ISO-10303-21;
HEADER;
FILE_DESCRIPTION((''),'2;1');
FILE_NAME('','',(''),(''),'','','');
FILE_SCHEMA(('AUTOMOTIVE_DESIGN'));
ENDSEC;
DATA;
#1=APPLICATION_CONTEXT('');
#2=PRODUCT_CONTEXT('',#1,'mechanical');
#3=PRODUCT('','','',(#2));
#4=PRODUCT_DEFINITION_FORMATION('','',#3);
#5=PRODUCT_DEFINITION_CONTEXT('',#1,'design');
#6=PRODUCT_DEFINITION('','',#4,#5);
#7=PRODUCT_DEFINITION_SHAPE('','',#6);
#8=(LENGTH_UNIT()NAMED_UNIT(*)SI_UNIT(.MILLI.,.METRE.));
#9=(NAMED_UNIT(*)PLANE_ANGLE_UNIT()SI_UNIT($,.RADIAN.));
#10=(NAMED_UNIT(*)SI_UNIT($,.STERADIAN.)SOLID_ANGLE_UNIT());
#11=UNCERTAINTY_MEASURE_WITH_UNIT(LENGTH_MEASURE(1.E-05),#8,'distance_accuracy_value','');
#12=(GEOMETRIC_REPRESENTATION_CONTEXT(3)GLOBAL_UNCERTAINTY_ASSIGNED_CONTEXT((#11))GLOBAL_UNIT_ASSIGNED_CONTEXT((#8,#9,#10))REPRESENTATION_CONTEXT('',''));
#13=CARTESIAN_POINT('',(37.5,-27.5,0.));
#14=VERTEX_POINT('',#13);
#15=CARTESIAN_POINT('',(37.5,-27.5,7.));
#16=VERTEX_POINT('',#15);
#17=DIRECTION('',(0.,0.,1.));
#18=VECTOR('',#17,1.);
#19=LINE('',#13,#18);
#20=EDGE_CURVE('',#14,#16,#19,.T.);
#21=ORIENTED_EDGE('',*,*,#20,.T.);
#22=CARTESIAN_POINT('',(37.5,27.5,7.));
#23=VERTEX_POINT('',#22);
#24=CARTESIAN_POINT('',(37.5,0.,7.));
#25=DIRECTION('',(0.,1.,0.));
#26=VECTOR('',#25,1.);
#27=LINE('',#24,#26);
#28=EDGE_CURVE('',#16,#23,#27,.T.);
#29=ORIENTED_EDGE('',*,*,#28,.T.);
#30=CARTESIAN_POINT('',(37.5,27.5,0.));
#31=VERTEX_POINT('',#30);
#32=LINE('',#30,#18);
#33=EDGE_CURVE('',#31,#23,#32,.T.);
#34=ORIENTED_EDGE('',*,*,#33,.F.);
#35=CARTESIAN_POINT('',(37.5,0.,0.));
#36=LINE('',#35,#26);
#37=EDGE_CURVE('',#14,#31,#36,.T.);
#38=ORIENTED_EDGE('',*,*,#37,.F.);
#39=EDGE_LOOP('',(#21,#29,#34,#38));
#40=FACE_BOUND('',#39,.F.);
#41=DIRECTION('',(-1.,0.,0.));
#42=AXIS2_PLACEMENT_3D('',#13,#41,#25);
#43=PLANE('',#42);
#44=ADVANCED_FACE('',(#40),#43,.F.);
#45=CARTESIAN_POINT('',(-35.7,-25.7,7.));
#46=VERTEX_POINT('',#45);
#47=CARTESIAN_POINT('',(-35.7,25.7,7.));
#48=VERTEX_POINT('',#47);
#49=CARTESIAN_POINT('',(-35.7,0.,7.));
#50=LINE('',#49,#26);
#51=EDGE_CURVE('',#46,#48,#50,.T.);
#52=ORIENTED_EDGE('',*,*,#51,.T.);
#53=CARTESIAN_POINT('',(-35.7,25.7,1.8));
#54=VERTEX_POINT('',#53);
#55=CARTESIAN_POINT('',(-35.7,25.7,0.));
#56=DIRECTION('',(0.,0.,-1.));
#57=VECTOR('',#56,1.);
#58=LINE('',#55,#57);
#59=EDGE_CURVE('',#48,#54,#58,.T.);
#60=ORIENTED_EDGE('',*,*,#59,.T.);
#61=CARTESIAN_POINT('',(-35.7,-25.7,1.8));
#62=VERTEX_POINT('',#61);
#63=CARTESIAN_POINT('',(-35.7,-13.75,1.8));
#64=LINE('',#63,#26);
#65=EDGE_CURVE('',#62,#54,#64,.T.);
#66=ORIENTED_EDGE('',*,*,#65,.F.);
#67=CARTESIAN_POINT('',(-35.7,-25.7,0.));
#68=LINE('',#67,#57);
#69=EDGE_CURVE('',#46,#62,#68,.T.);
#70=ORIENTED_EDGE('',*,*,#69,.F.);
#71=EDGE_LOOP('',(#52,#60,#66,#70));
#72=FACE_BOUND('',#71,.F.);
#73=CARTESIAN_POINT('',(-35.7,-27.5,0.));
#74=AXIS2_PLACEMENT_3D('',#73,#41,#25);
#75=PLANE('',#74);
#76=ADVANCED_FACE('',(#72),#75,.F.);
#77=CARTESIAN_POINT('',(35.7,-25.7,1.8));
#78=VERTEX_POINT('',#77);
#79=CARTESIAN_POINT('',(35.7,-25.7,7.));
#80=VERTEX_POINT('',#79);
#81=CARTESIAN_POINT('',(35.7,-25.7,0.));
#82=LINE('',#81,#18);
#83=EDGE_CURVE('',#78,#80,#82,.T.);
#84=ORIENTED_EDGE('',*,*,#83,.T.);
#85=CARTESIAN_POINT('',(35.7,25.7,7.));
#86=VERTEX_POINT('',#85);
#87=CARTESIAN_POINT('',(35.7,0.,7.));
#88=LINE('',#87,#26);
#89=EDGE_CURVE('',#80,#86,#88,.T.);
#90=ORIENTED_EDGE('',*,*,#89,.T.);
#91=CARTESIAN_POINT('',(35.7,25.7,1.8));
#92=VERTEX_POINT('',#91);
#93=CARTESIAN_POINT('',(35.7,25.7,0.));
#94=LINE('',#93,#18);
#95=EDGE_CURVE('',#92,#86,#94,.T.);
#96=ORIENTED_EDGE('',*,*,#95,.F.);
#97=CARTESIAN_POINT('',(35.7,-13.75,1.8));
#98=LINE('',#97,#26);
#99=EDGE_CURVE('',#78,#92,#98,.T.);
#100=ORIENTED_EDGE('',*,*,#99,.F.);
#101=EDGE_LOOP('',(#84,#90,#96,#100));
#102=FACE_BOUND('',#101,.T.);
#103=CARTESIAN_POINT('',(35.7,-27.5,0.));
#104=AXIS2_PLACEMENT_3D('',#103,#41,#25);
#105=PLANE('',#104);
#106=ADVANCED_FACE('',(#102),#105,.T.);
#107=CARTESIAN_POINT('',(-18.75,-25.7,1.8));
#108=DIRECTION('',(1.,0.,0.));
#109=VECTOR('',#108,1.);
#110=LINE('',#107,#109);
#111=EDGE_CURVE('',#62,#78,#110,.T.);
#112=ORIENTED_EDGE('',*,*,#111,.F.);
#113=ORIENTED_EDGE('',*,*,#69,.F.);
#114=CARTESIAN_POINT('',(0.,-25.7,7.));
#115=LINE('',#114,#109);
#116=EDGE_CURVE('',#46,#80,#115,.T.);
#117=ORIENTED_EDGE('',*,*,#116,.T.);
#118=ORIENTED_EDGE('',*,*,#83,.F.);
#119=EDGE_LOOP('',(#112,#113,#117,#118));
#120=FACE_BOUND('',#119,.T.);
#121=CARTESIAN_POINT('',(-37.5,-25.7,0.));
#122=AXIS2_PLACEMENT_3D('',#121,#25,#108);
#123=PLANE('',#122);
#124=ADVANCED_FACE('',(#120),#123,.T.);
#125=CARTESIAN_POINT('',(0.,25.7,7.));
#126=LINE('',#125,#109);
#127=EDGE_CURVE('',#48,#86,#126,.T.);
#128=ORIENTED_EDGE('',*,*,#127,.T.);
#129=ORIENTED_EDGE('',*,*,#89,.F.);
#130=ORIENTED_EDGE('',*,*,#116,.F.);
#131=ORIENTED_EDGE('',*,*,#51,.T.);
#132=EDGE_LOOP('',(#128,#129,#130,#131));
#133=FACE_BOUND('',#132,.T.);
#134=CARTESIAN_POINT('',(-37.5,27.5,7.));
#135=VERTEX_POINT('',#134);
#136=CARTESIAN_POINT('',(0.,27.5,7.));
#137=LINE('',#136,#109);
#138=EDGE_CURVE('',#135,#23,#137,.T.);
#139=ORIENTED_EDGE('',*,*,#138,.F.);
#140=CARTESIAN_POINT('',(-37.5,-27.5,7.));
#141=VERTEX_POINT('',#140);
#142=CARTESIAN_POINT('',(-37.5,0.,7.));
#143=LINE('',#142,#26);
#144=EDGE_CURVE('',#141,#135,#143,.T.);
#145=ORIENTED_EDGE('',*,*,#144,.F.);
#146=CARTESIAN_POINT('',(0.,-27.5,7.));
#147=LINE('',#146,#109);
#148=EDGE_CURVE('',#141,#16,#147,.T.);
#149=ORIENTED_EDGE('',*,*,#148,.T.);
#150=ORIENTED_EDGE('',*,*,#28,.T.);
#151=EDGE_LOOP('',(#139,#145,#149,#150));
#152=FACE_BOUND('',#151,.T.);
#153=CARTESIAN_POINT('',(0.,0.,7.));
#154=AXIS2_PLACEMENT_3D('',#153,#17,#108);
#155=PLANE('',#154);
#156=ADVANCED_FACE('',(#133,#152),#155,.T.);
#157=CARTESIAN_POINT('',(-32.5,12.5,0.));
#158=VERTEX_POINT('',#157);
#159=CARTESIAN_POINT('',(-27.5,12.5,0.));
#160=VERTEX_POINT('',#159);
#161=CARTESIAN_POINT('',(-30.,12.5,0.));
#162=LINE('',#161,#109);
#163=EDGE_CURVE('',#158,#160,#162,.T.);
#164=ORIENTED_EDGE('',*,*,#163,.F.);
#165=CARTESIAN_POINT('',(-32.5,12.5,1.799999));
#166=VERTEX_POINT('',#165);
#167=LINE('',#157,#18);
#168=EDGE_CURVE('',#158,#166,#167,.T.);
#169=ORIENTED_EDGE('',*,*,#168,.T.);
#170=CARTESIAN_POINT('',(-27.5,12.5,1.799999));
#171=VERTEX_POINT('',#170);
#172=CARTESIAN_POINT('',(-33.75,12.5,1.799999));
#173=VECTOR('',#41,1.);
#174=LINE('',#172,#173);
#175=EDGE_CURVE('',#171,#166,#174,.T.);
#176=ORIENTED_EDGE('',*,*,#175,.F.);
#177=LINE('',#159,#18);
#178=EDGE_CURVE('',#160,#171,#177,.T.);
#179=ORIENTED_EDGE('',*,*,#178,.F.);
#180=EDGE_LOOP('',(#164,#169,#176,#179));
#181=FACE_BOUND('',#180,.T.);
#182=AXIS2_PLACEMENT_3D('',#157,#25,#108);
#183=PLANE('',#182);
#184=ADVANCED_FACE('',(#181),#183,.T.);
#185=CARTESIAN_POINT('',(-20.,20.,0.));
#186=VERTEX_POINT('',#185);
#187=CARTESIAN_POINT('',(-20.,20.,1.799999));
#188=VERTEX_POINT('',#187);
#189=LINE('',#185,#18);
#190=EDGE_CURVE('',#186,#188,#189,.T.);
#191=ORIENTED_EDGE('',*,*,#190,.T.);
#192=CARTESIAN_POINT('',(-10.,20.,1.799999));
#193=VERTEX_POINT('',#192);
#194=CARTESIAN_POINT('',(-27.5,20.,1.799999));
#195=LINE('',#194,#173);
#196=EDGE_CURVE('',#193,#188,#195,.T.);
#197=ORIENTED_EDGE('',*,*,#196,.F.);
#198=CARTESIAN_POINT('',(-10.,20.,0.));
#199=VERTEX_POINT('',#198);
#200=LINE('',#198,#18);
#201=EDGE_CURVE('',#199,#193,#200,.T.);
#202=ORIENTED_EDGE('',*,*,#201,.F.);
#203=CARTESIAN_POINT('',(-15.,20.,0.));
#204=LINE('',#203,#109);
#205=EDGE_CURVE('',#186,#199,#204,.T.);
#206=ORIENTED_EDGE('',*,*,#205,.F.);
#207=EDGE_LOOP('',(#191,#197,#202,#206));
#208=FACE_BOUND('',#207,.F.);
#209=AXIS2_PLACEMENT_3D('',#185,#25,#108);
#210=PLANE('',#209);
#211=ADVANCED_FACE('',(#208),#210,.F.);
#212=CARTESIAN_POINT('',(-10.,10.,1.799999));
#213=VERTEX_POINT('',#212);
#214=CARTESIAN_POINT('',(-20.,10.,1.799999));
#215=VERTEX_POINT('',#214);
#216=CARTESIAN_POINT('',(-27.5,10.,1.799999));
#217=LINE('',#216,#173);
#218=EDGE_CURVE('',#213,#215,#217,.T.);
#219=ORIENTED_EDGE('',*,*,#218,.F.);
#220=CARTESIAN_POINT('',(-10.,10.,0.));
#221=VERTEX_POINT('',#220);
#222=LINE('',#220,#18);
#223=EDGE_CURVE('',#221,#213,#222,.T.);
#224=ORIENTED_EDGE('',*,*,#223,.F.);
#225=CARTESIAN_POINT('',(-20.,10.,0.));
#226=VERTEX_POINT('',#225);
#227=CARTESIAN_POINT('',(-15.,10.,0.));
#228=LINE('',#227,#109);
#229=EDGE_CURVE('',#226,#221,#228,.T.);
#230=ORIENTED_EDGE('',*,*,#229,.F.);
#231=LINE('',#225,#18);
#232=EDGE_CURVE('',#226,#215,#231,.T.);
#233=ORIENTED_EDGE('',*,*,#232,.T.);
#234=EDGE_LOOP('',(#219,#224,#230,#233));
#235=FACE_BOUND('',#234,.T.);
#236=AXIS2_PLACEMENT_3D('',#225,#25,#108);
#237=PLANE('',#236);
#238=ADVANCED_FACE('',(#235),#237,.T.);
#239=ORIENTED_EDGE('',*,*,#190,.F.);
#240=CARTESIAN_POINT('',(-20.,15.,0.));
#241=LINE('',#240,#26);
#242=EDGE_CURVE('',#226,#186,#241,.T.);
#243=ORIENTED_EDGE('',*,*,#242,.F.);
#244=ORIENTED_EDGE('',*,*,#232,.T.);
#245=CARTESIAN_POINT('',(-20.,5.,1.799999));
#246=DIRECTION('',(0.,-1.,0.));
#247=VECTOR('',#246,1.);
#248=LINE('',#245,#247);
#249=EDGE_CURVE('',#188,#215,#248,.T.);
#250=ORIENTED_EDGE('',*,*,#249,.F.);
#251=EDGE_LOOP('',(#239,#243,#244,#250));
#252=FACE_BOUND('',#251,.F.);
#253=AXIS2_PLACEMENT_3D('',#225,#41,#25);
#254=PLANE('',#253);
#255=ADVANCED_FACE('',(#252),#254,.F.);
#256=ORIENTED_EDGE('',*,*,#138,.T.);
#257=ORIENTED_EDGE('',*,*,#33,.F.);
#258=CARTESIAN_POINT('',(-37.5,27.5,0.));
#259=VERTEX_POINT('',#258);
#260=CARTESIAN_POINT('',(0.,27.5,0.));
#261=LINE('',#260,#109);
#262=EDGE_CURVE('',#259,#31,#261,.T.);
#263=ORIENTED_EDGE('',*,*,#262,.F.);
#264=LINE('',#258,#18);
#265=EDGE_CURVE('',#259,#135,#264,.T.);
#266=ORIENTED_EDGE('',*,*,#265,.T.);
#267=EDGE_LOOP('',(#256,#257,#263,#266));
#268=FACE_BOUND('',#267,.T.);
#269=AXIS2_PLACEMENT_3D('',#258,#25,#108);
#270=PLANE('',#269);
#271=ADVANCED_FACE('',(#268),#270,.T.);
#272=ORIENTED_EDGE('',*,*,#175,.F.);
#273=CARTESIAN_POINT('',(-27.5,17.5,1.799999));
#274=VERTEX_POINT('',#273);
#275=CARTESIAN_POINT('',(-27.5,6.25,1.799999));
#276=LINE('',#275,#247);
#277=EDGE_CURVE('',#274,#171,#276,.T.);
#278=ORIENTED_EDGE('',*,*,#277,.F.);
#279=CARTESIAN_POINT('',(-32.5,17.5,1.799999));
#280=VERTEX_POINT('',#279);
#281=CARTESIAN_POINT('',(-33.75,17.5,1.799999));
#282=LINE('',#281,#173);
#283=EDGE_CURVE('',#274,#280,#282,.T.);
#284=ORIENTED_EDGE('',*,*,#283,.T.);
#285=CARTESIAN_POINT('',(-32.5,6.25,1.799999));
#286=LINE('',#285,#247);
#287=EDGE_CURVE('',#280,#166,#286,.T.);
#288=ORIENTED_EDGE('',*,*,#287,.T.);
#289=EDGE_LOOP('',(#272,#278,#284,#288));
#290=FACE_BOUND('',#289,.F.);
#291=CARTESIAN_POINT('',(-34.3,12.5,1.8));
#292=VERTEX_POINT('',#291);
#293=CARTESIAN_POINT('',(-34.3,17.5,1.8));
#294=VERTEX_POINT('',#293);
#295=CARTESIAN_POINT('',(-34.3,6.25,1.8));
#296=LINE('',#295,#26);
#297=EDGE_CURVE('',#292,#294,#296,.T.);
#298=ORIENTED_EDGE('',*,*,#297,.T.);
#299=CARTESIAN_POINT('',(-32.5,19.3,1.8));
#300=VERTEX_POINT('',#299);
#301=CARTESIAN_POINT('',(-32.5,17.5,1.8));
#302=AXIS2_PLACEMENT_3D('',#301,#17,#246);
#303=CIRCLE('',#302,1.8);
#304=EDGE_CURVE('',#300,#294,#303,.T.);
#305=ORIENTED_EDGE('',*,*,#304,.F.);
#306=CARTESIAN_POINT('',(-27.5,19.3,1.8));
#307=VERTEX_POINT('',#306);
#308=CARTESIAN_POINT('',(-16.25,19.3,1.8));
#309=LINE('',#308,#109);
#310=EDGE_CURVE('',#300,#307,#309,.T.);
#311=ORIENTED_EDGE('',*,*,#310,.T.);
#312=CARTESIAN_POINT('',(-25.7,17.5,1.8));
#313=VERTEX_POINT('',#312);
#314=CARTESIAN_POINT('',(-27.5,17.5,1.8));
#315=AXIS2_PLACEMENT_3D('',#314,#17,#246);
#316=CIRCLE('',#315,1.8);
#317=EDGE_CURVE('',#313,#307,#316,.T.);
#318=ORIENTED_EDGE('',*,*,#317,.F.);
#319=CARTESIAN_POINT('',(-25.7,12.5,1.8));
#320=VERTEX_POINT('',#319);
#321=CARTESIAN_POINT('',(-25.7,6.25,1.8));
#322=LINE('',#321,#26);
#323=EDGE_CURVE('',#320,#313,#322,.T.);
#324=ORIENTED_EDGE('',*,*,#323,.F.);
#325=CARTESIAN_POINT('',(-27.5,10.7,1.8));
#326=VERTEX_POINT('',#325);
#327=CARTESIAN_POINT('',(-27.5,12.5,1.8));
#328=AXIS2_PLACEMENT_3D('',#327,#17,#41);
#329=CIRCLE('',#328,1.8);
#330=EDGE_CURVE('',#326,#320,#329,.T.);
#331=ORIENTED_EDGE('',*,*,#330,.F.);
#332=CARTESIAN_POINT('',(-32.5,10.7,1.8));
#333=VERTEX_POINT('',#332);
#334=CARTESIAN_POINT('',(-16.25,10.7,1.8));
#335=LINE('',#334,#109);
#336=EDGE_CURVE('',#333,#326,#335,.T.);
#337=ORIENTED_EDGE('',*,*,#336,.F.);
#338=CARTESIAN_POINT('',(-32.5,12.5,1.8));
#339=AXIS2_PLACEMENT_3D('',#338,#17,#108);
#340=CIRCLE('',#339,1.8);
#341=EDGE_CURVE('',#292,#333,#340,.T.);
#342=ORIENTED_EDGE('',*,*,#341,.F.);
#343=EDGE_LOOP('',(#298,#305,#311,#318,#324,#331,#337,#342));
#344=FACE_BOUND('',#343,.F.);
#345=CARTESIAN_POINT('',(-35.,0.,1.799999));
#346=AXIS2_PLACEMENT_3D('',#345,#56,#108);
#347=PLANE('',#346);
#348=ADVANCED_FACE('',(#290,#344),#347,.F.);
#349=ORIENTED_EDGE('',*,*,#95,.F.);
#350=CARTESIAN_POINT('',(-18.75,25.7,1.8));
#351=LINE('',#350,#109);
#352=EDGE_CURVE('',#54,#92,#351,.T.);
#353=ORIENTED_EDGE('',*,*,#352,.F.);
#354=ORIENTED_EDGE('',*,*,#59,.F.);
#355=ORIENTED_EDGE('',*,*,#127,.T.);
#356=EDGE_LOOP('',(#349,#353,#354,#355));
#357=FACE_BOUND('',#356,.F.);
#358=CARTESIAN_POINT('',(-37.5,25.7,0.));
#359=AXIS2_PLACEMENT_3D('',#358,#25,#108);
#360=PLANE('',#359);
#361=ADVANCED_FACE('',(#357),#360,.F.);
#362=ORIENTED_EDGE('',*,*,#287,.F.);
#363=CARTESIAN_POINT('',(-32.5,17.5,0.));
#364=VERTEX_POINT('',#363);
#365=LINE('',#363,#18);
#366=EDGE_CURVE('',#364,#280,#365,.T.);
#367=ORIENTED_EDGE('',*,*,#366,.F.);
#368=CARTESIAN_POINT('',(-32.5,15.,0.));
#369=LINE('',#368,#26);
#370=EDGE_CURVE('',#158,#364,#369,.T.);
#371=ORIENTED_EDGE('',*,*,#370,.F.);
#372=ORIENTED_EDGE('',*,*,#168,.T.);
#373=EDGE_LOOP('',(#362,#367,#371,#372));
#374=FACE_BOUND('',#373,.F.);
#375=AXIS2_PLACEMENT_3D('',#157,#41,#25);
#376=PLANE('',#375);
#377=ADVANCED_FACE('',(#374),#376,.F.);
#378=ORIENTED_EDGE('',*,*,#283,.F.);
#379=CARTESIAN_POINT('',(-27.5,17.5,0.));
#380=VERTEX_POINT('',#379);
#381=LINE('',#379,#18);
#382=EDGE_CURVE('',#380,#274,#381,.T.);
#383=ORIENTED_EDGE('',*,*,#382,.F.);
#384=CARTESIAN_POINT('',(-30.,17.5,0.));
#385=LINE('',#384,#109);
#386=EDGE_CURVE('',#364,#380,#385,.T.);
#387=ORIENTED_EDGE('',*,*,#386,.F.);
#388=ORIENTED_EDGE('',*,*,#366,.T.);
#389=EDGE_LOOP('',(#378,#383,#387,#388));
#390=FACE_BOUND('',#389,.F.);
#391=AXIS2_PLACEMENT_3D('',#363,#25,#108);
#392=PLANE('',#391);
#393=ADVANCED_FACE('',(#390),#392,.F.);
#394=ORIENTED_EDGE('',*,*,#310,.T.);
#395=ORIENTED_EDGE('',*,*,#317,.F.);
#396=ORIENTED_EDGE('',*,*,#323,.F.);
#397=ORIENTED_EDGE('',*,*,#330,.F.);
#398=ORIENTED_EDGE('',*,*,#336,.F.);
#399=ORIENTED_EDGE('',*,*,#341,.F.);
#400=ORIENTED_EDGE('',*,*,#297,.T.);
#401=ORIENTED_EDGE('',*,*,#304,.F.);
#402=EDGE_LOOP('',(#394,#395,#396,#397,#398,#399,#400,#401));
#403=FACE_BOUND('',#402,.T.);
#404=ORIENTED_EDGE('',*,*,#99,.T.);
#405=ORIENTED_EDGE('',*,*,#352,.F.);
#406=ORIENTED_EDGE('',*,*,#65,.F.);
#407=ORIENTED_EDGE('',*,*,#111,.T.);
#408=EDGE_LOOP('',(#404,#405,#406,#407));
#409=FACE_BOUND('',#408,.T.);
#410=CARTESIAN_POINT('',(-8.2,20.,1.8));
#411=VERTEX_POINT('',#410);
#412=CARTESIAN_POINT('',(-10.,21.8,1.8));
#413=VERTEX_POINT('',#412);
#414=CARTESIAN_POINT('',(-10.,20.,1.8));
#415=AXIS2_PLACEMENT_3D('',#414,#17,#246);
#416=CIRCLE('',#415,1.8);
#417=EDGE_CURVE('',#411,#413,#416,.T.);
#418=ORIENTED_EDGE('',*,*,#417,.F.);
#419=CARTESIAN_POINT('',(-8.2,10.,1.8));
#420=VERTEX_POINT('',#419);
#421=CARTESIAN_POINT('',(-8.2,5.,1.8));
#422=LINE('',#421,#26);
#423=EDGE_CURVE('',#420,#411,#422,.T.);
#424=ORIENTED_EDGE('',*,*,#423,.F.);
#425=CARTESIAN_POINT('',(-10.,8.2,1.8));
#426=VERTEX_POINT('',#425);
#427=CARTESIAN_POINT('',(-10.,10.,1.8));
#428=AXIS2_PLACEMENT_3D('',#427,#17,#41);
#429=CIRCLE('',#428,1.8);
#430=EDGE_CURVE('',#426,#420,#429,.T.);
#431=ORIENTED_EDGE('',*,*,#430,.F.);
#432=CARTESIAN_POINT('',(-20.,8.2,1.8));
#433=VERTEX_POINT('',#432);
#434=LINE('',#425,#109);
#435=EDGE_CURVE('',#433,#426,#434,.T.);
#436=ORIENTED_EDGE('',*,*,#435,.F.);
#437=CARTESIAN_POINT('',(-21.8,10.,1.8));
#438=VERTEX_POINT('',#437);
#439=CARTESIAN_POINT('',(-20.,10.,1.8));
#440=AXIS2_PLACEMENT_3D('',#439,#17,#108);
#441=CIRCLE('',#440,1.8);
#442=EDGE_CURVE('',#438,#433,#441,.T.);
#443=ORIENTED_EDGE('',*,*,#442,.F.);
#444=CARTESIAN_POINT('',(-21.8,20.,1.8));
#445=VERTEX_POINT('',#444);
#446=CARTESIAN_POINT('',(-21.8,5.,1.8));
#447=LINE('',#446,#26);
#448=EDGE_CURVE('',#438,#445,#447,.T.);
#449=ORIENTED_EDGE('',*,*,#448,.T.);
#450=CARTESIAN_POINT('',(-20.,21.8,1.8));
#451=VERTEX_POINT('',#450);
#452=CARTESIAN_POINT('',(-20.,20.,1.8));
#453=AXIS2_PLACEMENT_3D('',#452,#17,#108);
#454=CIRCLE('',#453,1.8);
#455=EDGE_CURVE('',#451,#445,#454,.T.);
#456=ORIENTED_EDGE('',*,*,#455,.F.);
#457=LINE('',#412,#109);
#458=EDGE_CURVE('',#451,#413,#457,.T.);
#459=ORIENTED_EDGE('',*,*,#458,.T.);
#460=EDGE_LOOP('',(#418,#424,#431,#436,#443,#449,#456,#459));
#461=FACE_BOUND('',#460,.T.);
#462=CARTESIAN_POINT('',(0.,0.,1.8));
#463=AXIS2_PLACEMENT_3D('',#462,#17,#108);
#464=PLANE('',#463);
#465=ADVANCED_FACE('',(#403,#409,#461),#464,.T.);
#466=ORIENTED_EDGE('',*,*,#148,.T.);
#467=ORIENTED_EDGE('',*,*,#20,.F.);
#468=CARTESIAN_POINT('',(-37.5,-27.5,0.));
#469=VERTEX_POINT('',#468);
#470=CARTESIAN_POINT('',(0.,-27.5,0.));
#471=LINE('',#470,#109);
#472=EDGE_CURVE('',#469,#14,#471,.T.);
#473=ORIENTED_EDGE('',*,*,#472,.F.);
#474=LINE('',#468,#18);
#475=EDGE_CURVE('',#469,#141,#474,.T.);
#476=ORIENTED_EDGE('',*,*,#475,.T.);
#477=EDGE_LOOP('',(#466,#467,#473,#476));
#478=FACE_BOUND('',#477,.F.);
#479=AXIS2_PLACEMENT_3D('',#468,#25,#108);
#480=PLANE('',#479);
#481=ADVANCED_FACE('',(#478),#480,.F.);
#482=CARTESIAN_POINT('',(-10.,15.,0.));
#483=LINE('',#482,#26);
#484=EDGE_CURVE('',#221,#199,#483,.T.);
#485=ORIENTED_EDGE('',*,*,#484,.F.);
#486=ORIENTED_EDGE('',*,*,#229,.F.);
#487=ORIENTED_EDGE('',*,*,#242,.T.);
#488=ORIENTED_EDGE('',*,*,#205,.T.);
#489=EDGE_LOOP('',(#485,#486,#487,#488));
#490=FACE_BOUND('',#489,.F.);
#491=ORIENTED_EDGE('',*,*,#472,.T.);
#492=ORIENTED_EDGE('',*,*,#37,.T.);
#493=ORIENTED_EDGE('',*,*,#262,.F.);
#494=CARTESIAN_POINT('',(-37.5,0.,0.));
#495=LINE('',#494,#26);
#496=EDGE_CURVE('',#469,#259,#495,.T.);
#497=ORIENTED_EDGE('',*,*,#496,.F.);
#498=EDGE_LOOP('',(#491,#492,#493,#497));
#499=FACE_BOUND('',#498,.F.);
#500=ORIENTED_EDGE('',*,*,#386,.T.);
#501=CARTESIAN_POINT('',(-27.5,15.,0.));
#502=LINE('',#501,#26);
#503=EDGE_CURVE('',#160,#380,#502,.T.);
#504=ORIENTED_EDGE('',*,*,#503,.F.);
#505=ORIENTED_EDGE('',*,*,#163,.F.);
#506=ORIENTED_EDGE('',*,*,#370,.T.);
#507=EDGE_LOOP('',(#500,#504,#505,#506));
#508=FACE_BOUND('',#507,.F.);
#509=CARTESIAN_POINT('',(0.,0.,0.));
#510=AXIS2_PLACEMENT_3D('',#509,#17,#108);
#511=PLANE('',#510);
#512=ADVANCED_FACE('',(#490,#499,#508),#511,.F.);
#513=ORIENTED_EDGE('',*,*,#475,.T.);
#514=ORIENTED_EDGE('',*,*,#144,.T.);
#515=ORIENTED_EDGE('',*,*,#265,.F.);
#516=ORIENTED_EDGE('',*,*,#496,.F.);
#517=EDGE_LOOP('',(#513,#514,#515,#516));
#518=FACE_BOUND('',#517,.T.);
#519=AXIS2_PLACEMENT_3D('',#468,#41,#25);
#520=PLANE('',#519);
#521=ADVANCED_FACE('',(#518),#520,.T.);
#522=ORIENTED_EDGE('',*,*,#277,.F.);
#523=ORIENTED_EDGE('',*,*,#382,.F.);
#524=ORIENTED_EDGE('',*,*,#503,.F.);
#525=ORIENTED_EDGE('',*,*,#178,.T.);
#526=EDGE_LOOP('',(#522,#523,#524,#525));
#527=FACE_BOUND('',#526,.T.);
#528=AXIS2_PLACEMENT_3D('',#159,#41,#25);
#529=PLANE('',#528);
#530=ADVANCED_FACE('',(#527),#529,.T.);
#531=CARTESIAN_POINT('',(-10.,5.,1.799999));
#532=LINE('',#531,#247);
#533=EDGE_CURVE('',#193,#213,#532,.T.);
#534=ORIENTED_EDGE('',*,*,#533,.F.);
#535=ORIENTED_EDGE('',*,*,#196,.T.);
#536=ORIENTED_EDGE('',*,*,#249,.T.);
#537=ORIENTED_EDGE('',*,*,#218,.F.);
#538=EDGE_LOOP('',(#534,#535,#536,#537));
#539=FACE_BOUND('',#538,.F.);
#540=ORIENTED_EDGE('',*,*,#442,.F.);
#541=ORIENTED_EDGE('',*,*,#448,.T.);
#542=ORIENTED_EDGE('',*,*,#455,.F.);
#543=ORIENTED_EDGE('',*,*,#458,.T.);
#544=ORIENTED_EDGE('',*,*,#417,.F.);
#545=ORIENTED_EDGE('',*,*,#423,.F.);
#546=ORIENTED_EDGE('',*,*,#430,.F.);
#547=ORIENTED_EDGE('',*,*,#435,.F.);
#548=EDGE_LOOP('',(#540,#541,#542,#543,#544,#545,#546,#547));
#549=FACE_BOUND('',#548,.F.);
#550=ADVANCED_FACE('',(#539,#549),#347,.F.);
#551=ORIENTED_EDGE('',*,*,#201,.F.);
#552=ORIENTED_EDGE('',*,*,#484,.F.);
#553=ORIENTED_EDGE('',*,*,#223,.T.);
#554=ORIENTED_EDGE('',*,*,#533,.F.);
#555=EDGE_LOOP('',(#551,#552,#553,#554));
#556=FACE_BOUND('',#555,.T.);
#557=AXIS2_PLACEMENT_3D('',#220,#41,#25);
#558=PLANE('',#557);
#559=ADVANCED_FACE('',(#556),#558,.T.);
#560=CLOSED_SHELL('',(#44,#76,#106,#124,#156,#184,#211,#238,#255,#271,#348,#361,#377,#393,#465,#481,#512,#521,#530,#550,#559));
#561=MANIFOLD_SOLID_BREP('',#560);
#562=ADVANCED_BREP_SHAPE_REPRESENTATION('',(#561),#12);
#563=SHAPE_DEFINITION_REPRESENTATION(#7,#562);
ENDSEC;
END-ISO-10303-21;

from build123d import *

# Parameters (mm, degrees)
F0_W     = 75
F0_H     = 55
F0_W_2   = 5
F0_H_2   = 5
F0_W_3   = 10
F0_H_3   = 10
F1_DEPTH = 7
F2_T     = -1.8
F3_W     = 35
F3_H     = 9.282675
F4_DEPTH = 25


with BuildPart() as f1:
    # F0 (on Top) → F1 (new body)
    with BuildSketch(Plane.XY):
        Rectangle(F0_W, F0_H)
        with Locations((-30, 15)):
            Rectangle(F0_W_2, F0_H_2, mode=Mode.SUBTRACT)
        with Locations((-15, 15)):
            Rectangle(F0_W_3, F0_H_3, mode=Mode.SUBTRACT)
    extrude(amount=F1_DEPTH)

    # F2
    f2_openings = [f1.faces().sort_by_distance(p)[0] for p in [
        (0.5625, -0.46875, 7),
    ]]
    offset(amount=F2_T, openings=f2_openings)

    # F3 (on Front) → F4 (cut)
    with BuildSketch(Plane.XZ):
        with Locations((-17.5, 6.441337)):
            Rectangle(F3_W, F3_H)
    extrude(amount=-F4_DEPTH, mode=Mode.SUBTRACT)


solid = f1.part
